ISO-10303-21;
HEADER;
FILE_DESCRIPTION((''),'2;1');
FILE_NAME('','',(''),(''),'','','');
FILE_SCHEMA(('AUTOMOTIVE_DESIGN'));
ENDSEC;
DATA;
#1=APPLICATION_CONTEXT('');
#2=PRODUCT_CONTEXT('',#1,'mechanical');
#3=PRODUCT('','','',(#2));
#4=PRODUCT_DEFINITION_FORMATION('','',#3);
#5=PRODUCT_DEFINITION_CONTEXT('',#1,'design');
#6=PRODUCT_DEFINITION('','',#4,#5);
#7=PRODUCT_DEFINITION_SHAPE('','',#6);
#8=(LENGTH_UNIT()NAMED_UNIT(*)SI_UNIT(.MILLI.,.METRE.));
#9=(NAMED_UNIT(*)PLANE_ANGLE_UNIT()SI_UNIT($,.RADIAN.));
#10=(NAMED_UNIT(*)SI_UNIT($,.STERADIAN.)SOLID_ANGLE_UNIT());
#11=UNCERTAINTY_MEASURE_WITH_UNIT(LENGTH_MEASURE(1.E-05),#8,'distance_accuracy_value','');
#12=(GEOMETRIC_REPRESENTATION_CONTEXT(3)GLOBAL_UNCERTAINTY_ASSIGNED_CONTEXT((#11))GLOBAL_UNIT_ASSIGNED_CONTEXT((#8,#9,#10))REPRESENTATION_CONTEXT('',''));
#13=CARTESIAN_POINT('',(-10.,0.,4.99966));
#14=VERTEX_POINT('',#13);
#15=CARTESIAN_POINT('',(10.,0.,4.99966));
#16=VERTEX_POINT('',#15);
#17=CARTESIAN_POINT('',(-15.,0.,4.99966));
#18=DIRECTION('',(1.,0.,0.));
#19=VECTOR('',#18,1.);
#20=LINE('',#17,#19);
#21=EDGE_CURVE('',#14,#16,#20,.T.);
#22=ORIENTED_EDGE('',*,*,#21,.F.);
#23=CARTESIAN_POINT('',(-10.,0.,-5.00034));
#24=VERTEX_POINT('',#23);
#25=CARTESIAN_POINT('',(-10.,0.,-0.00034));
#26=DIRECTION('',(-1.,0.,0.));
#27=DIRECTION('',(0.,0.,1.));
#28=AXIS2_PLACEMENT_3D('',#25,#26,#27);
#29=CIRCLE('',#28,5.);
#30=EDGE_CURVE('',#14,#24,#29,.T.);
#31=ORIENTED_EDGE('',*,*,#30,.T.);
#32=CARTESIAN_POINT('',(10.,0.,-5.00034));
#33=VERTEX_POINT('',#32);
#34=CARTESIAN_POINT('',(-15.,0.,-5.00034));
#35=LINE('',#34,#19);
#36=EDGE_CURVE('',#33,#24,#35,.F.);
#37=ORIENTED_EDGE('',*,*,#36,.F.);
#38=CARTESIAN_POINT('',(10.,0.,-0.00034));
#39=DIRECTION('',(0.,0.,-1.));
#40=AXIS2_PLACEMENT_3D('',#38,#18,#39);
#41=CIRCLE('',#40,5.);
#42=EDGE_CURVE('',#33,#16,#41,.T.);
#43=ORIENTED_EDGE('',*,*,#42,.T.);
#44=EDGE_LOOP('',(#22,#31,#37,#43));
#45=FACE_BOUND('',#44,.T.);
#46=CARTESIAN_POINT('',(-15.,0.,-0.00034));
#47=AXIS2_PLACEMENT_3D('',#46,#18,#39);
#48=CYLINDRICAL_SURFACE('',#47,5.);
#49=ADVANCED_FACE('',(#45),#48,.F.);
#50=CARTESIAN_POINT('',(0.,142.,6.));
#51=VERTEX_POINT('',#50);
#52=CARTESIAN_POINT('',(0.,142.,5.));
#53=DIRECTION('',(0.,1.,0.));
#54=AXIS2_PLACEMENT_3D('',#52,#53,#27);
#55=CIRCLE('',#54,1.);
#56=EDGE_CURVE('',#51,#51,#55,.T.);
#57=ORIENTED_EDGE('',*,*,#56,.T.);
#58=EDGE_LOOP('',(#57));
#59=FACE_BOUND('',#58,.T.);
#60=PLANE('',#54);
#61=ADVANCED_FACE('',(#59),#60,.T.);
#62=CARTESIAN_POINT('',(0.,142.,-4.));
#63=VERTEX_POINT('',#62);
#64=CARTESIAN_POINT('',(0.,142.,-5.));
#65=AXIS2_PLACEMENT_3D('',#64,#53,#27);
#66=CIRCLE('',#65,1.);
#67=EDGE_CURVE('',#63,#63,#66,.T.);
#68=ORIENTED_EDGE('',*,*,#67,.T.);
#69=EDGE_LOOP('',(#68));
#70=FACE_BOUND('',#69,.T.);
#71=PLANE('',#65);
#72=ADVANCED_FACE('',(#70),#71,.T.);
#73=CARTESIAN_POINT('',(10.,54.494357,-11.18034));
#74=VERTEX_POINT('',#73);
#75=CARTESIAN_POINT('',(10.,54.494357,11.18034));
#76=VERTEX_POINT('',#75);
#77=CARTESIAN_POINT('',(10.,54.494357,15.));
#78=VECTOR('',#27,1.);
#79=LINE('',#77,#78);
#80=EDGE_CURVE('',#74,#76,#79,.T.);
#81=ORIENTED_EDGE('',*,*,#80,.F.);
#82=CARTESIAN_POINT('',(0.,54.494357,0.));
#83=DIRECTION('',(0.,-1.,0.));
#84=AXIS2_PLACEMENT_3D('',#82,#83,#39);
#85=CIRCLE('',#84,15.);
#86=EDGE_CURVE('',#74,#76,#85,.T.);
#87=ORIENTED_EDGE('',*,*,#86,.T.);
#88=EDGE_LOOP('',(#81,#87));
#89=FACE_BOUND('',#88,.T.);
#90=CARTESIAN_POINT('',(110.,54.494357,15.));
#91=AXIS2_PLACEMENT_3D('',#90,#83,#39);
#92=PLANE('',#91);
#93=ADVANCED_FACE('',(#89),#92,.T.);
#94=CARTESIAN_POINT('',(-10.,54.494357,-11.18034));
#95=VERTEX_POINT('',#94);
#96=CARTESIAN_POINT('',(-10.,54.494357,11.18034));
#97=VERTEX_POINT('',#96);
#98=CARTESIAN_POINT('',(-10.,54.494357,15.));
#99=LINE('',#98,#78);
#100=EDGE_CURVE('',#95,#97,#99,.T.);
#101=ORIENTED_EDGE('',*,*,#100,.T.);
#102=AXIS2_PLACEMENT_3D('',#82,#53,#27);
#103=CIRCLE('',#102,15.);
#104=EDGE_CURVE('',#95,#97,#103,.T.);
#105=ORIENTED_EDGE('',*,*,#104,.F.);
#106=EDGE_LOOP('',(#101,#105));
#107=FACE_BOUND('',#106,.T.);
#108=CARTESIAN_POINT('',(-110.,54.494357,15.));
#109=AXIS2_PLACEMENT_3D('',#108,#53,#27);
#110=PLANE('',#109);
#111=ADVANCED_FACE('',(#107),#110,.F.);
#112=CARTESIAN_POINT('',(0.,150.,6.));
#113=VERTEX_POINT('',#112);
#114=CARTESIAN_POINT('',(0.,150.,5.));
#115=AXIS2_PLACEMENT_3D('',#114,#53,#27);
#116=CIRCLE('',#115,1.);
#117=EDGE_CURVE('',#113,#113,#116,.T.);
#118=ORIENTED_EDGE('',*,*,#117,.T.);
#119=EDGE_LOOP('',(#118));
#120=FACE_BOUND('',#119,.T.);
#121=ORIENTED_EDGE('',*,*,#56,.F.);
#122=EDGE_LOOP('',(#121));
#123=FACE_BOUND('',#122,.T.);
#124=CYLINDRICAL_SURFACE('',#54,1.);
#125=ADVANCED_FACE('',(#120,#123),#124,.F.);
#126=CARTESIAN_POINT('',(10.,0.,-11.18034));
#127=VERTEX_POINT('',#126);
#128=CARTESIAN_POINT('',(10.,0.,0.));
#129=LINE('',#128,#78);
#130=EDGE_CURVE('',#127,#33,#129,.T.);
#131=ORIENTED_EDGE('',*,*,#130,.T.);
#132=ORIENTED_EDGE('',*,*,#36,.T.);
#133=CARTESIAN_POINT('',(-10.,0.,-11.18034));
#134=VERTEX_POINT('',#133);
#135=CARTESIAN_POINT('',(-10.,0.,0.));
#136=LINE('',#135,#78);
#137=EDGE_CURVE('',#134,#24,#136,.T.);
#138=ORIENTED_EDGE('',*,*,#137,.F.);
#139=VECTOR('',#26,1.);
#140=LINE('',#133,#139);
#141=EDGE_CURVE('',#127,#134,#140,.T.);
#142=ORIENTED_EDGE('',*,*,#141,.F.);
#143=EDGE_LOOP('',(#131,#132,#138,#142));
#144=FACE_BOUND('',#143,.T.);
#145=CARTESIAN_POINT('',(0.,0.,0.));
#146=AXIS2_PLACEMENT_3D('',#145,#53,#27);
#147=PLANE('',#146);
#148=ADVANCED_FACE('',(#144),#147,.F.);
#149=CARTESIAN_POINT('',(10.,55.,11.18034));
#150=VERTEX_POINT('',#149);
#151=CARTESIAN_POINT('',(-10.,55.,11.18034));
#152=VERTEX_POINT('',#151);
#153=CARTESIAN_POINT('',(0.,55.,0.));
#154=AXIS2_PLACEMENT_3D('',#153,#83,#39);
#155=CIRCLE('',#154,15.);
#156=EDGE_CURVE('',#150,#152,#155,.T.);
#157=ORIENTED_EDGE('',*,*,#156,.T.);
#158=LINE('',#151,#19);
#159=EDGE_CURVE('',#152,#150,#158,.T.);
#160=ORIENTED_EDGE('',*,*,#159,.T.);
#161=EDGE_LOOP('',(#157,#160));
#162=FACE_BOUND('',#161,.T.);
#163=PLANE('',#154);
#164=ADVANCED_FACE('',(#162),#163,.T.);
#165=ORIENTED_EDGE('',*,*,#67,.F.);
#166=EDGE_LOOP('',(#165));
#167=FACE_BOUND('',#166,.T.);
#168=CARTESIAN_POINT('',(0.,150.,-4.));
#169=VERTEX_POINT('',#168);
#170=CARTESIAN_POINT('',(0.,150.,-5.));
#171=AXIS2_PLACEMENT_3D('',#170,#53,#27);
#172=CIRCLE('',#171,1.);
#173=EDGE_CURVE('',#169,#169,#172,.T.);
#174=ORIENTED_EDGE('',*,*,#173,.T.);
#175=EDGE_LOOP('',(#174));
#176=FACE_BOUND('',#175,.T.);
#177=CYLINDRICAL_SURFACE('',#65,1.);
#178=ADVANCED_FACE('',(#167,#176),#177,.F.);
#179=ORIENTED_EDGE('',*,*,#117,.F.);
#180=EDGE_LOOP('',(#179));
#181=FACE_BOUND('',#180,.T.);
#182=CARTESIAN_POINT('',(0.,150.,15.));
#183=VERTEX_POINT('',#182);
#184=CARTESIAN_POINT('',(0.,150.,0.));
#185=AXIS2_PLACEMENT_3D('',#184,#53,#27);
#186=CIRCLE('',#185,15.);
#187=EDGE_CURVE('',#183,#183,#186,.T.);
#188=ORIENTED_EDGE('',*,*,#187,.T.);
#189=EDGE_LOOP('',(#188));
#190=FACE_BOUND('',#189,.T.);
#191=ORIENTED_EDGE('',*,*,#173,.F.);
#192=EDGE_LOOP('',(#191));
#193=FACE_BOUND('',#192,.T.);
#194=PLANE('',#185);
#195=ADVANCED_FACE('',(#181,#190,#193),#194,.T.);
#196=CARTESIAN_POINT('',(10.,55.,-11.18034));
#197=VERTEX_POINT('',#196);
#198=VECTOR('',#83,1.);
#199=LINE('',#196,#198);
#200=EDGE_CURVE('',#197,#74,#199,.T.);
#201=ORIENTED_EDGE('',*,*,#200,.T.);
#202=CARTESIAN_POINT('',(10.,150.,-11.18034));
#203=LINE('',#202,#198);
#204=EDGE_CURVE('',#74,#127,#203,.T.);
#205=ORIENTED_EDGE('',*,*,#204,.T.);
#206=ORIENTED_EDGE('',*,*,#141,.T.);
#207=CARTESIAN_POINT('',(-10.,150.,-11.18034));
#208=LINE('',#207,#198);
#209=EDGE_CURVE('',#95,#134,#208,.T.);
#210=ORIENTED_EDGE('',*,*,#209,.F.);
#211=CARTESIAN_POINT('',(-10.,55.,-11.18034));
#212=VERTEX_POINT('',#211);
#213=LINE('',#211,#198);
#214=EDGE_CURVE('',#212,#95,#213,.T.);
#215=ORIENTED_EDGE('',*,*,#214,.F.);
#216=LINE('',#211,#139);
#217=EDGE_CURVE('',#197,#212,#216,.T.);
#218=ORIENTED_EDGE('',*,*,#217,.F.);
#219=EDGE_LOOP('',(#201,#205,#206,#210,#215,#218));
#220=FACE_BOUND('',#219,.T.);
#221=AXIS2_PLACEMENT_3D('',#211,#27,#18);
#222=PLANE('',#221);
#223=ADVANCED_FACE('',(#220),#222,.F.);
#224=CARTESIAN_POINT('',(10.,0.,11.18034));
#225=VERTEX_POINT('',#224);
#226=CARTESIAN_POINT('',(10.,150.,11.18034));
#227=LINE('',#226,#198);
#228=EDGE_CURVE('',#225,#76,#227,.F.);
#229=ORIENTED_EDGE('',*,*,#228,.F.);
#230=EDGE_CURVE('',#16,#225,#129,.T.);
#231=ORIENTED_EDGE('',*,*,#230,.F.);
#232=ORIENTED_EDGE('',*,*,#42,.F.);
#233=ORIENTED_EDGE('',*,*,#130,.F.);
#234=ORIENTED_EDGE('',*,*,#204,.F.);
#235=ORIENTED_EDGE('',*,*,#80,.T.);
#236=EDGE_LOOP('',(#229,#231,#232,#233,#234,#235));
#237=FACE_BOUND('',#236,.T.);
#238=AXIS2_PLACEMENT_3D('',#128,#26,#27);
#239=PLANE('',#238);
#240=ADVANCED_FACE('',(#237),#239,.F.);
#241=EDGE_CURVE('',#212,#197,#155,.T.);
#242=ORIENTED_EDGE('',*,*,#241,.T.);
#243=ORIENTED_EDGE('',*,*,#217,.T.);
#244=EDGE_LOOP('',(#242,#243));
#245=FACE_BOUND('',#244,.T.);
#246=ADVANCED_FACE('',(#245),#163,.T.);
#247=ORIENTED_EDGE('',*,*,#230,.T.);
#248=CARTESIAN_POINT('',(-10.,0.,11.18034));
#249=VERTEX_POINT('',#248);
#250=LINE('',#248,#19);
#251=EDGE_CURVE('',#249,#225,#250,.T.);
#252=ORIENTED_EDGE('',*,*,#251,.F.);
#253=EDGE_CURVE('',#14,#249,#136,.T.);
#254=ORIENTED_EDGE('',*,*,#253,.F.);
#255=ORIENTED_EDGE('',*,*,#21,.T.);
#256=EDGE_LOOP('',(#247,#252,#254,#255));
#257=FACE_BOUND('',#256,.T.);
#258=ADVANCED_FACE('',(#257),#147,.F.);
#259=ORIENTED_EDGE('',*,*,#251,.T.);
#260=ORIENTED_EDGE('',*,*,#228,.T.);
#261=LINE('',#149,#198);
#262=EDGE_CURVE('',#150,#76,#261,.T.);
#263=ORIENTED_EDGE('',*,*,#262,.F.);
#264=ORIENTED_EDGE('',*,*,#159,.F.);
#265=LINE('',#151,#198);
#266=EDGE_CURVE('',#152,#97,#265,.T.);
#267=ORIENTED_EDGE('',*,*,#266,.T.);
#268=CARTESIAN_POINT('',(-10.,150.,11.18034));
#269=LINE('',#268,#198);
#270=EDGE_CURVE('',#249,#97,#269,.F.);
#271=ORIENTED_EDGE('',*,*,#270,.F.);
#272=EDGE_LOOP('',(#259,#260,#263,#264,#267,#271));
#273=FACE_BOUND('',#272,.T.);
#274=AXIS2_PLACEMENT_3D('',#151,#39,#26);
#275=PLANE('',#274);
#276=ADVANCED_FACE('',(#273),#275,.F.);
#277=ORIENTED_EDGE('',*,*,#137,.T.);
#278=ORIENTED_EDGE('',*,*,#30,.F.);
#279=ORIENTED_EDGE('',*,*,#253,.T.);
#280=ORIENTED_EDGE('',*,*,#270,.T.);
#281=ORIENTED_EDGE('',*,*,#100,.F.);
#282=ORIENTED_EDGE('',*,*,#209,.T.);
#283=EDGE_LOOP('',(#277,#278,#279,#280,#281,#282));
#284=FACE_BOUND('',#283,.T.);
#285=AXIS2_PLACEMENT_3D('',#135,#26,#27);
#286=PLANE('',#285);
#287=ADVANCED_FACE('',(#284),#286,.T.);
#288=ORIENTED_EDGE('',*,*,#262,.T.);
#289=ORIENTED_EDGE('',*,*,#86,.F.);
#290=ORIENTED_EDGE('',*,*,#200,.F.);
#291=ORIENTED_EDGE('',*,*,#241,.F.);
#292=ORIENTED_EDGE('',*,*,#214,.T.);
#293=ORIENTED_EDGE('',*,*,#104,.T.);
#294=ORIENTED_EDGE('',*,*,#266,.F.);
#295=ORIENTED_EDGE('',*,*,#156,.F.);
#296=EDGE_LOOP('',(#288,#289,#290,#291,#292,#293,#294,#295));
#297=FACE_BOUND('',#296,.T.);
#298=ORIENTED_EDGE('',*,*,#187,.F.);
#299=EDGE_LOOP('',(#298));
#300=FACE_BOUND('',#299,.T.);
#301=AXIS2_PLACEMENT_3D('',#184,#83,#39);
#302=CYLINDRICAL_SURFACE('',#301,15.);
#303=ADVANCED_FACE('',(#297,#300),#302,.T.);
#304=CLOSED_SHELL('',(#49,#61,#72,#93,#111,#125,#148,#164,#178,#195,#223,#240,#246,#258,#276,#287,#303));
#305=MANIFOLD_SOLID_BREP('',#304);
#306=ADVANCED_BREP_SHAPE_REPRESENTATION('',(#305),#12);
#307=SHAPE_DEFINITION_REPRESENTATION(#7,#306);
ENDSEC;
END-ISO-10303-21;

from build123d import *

# Parameters (mm, degrees)
SKETCH2_R           = 15
BOSS_EXTRUDE1_DEPTH = 150
CUT_EXTRUDE1_START  = 10
SKETCH3_W           = 30
SKETCH3_H           = 108.98871412
CUT_EXTRUDE1_DEPTH  = 100
CUT_EXTRUDE2_START  = -10
SKETCH3_2_W         = 30
SKETCH3_2_H         = 108.98871412
CUT_EXTRUDE2_DEPTH  = 100
CUT_EXTRUDE4_DEPTH  = 55
SKETCH4_R           = 5
CUT_EXTRUDE5_DEPTH  = 153.807067899
SKETCH6_R           = 1
CUT_EXTRUDE6_DEPTH  = 8


with BuildPart() as part:
    # Sketch2 → Boss-Extrude1 (new body)
    with BuildSketch(Plane(origin=(0, 0, 0), x_dir=(1, 0, 0), z_dir=(0, 1, 0))):
        Circle(SKETCH2_R)
    extrude(amount=BOSS_EXTRUDE1_DEPTH)

    # Sketch3 → Cut-Extrude1 (cut)
    with BuildSketch(Plane(origin=(0, 0, 0), x_dir=(0, 0, -1), z_dir=(1, 0, 0)).offset(CUT_EXTRUDE1_START)):
        Rectangle(SKETCH3_W, SKETCH3_H)
    extrude(amount=CUT_EXTRUDE1_DEPTH, mode=Mode.SUBTRACT)

    # Sketch3<2> → Cut-Extrude2 (cut)
    with BuildSketch(Plane(origin=(0, 0, 0), x_dir=(0, 0, -1), z_dir=(1, 0, 0)).offset(CUT_EXTRUDE2_START)):
        Rectangle(SKETCH3_2_W, SKETCH3_2_H)
    extrude(amount=-CUT_EXTRUDE2_DEPTH, mode=Mode.SUBTRACT)

    # Sketch5 → Cut-Extrude4 (cut)
    with BuildSketch(Plane.XZ):
        with BuildLine():
            Line((-10, 11.180339887), (10, 11.180339887))
            ThreePointArc((10, 11.180339887), (0, 15), (-10, 11.180339887))
        make_face()
        with BuildLine():
            Line((-10, -11.180339887), (10, -11.180339887))
            ThreePointArc((10, -11.180339887), (0, -15), (-10, -11.180339887))
        make_face()
    extrude(amount=-CUT_EXTRUDE4_DEPTH, mode=Mode.SUBTRACT)

    # Sketch4 → Cut-Extrude5 (cut, through all)
    with BuildSketch(Plane(origin=(10, 0, 0), x_dir=(0, 0, -1), z_dir=(1, 0, 0))):
        with Locations((0.000339887, 0)):
            Circle(SKETCH4_R)
    extrude(amount=-CUT_EXTRUDE5_DEPTH, mode=Mode.SUBTRACT)

    # Sketch6 → Cut-Extrude6 (cut)
    with BuildSketch(Plane(origin=(0, 150, 0), x_dir=(1, 0, 0), z_dir=(0, 1, 0))):
        with Locations((0, 5)):
            Circle(SKETCH6_R)
        with Locations((0, -5)):
            Circle(SKETCH6_R)
    extrude(amount=-CUT_EXTRUDE6_DEPTH, mode=Mode.SUBTRACT)


solid = part.part
